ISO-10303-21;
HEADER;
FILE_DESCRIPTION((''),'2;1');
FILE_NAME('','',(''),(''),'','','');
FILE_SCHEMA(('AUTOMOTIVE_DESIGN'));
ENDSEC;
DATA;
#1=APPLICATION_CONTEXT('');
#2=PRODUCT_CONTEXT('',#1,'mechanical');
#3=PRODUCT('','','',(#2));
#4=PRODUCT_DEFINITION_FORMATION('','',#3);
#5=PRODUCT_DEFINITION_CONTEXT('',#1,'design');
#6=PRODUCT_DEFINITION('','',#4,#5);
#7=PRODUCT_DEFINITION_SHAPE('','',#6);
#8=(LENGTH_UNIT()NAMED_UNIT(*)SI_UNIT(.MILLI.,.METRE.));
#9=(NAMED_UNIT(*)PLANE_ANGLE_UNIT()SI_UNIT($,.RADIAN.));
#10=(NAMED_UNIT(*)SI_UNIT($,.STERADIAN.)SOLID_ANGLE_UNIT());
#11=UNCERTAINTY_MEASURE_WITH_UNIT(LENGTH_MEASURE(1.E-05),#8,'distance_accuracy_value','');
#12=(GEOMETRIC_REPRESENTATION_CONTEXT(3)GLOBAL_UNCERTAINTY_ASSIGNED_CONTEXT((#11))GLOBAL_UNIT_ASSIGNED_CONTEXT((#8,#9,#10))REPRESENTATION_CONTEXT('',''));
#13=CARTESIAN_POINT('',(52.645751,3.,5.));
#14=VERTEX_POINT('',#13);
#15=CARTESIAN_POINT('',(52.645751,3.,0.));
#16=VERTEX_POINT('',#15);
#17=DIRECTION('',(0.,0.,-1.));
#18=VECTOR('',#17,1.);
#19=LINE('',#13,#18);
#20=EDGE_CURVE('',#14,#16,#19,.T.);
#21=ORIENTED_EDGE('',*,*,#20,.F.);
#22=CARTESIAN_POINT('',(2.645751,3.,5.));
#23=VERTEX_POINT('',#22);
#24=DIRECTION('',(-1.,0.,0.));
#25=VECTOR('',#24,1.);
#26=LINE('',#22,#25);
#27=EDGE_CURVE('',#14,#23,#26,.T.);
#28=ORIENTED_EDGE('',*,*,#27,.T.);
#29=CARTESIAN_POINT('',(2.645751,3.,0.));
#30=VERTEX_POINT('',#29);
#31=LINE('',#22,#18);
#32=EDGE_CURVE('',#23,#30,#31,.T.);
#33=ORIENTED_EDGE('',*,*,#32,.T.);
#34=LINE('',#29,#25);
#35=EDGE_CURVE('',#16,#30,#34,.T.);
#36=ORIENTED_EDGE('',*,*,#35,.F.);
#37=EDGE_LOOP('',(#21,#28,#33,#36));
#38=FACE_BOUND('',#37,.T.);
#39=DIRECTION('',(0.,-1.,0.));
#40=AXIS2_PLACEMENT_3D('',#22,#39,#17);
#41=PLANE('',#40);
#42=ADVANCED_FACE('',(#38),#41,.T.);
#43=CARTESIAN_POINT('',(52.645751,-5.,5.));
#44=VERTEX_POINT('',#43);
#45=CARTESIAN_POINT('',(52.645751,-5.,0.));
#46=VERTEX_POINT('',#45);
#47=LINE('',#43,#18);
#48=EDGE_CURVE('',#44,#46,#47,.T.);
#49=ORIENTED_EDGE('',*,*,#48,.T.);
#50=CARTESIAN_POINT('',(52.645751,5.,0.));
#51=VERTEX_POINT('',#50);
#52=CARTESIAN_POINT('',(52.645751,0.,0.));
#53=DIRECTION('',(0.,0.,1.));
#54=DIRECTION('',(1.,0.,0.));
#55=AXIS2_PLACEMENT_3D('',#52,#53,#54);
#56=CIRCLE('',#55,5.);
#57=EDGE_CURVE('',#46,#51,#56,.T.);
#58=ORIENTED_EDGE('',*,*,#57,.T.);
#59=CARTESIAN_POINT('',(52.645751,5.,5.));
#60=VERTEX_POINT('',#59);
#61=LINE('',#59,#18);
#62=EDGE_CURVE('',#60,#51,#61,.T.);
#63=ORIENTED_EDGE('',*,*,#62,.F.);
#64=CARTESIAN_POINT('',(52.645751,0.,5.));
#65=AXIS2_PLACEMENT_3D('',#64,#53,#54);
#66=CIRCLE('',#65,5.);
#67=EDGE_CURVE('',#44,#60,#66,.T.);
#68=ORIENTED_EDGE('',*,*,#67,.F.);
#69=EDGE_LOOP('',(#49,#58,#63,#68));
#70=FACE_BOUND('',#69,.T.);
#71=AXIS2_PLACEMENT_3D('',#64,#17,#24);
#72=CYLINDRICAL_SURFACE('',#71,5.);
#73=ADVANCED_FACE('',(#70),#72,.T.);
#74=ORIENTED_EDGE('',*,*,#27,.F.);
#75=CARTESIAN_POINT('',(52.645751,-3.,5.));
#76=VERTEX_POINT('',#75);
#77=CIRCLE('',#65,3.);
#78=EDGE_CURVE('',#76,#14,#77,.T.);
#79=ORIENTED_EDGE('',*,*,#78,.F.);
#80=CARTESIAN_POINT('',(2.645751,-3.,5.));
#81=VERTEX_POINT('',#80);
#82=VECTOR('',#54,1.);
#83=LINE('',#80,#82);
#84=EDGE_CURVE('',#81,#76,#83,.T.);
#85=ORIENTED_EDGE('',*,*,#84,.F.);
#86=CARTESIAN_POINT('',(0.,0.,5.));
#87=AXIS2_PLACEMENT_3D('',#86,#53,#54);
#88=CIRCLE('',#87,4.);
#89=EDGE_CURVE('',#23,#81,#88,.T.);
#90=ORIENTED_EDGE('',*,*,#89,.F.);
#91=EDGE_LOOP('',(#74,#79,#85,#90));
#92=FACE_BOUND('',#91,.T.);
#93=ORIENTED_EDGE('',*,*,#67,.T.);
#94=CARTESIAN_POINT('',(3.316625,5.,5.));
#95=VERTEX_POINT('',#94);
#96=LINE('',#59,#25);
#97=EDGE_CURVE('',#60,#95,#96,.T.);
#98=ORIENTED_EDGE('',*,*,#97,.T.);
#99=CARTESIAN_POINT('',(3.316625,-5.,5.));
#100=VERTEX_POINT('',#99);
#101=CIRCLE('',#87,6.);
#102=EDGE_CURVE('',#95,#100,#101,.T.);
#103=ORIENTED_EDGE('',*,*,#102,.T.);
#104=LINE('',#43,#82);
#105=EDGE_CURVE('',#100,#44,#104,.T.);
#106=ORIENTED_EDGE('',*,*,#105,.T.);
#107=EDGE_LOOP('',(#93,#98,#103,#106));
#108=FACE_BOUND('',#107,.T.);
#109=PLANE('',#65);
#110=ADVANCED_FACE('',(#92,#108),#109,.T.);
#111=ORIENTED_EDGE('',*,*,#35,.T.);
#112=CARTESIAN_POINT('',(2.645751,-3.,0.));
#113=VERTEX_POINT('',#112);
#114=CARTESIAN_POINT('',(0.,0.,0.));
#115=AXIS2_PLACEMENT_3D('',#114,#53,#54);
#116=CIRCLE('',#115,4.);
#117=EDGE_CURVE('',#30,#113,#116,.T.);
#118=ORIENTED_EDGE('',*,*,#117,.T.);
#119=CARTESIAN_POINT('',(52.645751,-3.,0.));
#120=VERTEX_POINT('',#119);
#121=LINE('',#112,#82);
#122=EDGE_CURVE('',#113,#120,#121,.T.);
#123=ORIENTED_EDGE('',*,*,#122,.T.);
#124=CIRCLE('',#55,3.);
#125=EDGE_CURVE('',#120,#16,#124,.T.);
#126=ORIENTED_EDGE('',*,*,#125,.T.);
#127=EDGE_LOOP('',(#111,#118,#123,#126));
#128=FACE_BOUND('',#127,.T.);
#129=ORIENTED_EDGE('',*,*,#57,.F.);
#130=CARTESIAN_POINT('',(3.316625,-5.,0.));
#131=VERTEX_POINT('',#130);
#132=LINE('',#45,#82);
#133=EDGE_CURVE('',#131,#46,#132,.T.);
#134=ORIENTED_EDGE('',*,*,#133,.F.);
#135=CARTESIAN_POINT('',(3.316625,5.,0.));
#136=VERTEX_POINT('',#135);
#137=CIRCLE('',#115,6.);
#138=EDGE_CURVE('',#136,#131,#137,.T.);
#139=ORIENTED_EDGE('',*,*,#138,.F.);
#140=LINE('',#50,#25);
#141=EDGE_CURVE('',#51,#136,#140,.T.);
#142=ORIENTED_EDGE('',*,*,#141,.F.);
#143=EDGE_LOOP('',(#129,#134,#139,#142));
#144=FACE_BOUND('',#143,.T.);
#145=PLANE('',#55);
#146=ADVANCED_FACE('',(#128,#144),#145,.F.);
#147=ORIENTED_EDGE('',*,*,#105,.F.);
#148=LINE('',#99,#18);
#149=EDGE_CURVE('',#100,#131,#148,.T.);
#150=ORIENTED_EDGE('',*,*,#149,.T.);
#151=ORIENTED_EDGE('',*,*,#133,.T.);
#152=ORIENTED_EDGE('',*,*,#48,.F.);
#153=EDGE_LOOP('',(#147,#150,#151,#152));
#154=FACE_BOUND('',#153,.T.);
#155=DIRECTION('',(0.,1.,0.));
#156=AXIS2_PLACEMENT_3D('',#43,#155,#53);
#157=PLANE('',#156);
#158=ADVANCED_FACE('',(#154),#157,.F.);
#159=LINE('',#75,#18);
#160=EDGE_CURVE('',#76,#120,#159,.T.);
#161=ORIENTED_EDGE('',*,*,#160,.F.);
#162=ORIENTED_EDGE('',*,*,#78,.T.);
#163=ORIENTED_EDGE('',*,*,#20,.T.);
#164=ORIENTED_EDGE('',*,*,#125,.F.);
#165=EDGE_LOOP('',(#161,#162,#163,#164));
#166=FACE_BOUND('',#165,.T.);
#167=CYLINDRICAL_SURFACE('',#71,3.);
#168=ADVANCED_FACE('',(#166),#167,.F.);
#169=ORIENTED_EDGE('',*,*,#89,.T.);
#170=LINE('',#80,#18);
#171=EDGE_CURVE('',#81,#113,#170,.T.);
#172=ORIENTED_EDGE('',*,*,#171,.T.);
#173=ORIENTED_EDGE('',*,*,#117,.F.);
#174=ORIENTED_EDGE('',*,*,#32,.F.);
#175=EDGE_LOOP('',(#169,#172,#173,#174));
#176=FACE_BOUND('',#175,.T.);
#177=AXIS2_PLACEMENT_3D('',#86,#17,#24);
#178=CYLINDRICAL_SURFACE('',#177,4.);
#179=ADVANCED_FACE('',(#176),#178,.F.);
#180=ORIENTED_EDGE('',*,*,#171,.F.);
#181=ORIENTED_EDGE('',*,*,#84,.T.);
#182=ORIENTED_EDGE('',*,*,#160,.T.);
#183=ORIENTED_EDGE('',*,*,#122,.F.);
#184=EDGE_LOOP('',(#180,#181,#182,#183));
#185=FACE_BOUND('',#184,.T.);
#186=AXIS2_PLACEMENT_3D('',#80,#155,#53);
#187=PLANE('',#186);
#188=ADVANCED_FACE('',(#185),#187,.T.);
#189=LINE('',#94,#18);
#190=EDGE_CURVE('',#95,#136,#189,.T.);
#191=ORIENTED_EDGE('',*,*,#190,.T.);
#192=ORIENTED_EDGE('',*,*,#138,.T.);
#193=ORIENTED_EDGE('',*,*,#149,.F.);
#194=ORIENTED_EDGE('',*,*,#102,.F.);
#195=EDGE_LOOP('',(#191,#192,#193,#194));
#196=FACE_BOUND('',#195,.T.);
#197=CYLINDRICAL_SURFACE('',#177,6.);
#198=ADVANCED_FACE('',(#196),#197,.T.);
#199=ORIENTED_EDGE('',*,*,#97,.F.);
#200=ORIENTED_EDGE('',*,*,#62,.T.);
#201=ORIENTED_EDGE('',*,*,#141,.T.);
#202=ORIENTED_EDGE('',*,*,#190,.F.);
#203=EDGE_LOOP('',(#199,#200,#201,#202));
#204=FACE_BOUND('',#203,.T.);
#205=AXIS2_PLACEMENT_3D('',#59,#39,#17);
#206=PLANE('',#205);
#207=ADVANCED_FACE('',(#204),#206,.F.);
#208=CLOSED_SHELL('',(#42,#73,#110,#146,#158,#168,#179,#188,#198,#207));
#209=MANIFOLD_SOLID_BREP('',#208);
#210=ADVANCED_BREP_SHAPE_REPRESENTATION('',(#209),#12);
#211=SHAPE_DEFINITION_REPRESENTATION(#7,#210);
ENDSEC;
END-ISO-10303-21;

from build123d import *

# Parameters (mm, degrees)
EXTRUDE_1_DEPTH = 5


with BuildPart() as part:
    # 草图1 → 凸台-拉伸1 (new body)
    with BuildSketch(Plane.XY):
        with BuildLine():
            Line((52.645751311, -5), (3.31662479, -5))
            ThreePointArc((3.31662479, -5), (-6, 0), (3.31662479, 5))
            Line((3.31662479, 5), (52.645751311, 5))
            ThreePointArc((52.645751311, 5), (57.645751311, 0), (52.645751311, -5))
        make_face()
        with BuildLine():
            Line((2.645751311, 3), (52.645751311, 3))
            ThreePointArc((52.645751311, 3), (55.645751311, 0), (52.645751311, -3))
            Line((52.645751311, -3), (2.645751311, -3))
            ThreePointArc((2.645751311, -3), (-4, 0), (2.645751311, 3))
        make_face(mode=Mode.SUBTRACT)
    extrude(amount=EXTRUDE_1_DEPTH)


solid = part.part
